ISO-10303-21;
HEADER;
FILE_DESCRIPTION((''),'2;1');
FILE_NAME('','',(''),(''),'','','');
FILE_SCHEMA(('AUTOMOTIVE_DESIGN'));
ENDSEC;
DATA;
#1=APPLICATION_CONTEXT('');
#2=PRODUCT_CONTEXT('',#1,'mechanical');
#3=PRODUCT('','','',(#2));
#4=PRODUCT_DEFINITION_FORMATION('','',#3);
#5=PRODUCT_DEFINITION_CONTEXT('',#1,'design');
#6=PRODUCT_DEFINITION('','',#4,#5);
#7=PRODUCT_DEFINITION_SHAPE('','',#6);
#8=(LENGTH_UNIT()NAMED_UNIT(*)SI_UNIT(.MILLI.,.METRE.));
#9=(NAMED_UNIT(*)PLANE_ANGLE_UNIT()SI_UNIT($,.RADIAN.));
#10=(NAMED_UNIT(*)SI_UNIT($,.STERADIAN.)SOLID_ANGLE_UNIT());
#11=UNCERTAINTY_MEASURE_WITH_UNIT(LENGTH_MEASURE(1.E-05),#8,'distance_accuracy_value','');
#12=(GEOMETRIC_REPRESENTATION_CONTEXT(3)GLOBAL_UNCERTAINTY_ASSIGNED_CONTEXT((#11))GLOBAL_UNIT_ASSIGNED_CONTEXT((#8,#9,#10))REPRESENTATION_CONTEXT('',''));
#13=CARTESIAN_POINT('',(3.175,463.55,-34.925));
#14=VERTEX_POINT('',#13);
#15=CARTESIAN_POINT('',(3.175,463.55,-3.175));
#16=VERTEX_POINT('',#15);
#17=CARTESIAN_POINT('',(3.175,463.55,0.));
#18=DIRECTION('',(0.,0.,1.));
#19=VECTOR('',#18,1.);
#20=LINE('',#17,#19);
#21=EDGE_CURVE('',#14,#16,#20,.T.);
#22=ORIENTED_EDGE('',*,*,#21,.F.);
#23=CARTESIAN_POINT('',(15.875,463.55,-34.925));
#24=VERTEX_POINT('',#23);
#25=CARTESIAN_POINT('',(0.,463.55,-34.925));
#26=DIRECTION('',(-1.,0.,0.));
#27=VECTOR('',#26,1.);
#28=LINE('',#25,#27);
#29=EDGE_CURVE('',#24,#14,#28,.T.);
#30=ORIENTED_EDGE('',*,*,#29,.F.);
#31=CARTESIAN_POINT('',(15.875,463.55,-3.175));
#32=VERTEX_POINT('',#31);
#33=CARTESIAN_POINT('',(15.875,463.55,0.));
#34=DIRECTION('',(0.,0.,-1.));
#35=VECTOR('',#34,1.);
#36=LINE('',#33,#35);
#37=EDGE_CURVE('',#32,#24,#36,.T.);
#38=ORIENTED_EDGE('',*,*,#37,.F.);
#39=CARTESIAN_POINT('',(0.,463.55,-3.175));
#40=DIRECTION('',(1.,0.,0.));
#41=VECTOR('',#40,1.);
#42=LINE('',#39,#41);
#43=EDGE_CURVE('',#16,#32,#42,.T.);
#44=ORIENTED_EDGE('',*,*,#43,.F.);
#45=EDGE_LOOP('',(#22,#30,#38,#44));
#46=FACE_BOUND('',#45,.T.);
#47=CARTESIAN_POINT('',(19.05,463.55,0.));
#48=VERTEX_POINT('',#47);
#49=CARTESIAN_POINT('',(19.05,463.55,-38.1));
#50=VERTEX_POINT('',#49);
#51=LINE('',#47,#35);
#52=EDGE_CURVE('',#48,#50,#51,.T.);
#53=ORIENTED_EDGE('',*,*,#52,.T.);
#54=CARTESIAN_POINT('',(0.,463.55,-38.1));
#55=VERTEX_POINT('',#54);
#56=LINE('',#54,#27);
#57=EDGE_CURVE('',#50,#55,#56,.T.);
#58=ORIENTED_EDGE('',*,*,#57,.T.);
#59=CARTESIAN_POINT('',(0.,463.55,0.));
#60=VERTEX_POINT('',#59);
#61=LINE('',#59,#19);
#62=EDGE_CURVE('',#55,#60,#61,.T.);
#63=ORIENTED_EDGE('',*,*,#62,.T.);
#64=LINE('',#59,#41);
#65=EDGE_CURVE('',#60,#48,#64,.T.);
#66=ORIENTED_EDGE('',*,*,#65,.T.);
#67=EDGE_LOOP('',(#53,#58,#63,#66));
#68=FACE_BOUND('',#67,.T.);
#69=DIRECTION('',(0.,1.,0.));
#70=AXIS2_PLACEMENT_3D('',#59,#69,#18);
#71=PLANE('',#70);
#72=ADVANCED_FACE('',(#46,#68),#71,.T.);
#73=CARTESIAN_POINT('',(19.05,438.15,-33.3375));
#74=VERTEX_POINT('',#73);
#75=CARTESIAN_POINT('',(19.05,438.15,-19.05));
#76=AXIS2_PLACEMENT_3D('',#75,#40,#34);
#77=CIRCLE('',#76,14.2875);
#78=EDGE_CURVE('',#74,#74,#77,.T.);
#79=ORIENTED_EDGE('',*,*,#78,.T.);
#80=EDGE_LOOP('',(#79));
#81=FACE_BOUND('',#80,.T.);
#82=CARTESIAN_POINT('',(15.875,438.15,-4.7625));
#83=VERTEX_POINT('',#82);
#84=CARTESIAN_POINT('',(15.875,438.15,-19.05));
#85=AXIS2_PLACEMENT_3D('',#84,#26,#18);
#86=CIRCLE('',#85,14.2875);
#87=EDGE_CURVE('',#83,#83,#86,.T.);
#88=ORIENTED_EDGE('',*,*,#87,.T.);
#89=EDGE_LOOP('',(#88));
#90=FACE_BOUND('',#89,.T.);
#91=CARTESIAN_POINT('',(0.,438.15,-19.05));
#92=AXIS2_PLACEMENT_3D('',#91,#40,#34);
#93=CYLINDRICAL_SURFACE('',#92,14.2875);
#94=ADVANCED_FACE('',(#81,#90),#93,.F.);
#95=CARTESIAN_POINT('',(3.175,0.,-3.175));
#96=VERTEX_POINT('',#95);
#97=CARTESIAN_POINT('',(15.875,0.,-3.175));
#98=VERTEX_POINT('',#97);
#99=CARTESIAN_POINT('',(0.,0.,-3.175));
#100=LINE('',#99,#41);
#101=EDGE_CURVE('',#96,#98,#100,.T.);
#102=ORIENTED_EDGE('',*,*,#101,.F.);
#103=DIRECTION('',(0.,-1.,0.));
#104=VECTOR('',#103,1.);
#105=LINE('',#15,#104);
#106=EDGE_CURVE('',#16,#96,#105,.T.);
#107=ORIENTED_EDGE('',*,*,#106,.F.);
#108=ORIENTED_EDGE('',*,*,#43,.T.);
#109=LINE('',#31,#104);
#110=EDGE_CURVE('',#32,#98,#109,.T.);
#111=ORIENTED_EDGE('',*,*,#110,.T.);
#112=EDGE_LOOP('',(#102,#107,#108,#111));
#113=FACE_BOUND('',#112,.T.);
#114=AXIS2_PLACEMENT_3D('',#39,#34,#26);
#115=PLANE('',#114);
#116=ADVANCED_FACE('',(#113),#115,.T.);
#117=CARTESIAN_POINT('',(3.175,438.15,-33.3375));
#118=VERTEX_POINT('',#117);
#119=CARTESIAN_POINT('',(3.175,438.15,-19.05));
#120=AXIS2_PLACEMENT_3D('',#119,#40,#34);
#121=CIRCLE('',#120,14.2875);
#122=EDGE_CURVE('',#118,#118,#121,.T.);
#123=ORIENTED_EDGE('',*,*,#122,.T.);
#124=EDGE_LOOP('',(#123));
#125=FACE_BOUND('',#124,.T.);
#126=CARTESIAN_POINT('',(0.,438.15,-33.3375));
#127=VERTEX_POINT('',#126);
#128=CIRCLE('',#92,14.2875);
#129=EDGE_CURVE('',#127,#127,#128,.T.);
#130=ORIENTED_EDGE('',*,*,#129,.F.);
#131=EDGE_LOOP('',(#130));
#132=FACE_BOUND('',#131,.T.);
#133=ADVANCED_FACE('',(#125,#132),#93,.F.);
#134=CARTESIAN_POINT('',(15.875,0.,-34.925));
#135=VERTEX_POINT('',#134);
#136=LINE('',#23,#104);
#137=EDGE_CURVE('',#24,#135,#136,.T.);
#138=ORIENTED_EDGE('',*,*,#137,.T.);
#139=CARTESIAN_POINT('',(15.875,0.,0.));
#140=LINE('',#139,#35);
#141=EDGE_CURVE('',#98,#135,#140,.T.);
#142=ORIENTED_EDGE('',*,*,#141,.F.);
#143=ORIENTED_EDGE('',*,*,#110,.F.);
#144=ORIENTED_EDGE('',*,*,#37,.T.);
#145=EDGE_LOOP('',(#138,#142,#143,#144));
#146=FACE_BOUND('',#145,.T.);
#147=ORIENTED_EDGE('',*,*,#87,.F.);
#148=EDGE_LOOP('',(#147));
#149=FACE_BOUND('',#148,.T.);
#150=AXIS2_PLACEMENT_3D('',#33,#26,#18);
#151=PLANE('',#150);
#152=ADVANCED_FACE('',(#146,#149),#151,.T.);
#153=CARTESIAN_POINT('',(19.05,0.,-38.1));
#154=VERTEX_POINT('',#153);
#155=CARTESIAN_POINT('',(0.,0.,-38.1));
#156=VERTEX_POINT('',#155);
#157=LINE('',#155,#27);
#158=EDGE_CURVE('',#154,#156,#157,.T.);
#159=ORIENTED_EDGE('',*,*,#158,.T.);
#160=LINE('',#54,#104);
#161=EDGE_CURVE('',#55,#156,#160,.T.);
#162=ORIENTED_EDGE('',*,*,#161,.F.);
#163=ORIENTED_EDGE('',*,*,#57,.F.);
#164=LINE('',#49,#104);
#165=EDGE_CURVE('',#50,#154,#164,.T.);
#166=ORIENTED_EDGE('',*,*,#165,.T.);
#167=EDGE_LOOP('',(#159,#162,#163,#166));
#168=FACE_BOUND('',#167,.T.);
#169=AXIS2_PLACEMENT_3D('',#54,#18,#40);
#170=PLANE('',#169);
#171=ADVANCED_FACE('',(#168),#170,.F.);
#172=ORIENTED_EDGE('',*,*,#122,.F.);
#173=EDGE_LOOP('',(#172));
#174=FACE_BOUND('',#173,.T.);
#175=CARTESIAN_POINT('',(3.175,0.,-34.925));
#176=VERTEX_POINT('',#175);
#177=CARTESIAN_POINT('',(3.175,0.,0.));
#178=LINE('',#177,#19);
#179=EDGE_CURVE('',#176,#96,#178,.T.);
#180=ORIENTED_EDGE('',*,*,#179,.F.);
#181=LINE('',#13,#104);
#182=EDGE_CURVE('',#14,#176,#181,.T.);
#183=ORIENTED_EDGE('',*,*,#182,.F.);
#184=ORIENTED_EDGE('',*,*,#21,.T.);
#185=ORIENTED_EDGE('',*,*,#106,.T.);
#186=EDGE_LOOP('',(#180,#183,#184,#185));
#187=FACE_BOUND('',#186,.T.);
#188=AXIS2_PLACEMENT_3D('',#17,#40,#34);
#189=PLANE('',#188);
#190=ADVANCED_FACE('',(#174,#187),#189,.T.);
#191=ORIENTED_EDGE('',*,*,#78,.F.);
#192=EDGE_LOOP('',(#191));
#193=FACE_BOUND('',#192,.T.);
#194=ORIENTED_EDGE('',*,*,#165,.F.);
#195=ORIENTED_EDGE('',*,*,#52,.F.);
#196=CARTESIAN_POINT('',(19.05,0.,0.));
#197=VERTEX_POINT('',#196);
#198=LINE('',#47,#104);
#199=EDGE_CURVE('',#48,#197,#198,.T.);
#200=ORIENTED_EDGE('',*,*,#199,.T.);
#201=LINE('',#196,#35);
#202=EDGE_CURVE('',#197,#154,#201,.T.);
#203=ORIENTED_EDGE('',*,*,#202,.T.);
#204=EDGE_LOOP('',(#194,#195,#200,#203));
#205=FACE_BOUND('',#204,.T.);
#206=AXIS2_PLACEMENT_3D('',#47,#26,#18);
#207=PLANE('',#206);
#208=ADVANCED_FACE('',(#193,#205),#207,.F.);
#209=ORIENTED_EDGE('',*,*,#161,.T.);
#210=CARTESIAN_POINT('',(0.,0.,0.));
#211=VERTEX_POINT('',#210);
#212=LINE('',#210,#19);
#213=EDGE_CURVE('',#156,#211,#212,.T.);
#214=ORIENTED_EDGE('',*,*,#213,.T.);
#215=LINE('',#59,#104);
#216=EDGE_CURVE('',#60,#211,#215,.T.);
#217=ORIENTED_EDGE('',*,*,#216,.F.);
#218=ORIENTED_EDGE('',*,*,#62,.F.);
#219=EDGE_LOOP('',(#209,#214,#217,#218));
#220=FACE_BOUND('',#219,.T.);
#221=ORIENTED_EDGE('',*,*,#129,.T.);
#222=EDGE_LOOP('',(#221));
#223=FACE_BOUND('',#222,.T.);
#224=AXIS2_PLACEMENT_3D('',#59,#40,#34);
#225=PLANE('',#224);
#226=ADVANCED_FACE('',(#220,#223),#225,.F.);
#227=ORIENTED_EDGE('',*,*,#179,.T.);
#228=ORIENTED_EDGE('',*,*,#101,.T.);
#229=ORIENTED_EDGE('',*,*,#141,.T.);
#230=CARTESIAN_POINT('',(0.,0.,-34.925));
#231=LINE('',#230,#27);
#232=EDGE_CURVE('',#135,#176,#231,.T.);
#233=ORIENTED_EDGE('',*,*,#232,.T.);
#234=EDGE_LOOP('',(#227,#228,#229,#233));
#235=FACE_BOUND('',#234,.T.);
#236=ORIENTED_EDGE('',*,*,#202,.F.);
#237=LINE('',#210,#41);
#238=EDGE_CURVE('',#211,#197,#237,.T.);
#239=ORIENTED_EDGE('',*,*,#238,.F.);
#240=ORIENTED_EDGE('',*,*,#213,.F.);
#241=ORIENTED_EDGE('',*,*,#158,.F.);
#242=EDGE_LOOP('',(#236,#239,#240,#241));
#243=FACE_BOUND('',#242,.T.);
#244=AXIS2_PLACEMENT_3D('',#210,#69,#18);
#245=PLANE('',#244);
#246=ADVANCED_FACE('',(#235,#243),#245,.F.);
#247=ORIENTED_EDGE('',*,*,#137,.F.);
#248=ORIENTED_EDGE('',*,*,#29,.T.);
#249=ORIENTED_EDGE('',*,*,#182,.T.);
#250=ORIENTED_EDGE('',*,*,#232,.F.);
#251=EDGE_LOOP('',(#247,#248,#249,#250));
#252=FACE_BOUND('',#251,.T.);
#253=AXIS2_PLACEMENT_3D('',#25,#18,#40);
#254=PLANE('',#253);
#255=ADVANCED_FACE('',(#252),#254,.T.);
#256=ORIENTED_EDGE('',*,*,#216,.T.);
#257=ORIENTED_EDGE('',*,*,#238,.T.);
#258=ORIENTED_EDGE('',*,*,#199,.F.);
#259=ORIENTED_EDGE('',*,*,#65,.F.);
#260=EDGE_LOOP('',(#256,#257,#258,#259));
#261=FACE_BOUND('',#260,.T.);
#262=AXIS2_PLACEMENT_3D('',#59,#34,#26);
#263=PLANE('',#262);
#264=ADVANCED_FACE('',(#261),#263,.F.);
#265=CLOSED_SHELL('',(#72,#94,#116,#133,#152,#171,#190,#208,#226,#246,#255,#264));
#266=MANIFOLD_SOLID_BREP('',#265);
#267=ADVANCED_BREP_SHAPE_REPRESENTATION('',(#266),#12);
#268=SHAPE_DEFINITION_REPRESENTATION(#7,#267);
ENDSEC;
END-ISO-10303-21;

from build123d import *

# Parameters (mm, degrees)
SKETCH1_W           = 19.05
SKETCH1_H           = 38.1
SKETCH1_W_2         = 12.7
SKETCH1_H_2         = 31.75
EXTRUDE_THIN1_DEPTH = 463.55
SKETCH2_R           = 14.2875
CUT_EXTRUDE1_DEPTH  = 19.05


with BuildPart() as part:
    # Sketch1 → Extrude-Thin1 (new body)
    with BuildSketch(Plane(origin=(0, 0, 0), x_dir=(1, 0, 0), z_dir=(0, 1, 0))):
        with Locations((9.525, 19.05)):
            Rectangle(SKETCH1_W, SKETCH1_H)
        with Locations((9.525, 19.05)):
            Rectangle(SKETCH1_W_2, SKETCH1_H_2, mode=Mode.SUBTRACT)
    extrude(amount=EXTRUDE_THIN1_DEPTH)

    # Sketch2 → Cut-Extrude1 (cut)
    with BuildSketch(Plane(origin=(19.05, 0, 0), x_dir=(0, 0, -1), z_dir=(1, 0, 0))):
        with Locations((19.05, 438.15)):
            Circle(SKETCH2_R)
    extrude(amount=-CUT_EXTRUDE1_DEPTH, mode=Mode.SUBTRACT)


solid = part.part
